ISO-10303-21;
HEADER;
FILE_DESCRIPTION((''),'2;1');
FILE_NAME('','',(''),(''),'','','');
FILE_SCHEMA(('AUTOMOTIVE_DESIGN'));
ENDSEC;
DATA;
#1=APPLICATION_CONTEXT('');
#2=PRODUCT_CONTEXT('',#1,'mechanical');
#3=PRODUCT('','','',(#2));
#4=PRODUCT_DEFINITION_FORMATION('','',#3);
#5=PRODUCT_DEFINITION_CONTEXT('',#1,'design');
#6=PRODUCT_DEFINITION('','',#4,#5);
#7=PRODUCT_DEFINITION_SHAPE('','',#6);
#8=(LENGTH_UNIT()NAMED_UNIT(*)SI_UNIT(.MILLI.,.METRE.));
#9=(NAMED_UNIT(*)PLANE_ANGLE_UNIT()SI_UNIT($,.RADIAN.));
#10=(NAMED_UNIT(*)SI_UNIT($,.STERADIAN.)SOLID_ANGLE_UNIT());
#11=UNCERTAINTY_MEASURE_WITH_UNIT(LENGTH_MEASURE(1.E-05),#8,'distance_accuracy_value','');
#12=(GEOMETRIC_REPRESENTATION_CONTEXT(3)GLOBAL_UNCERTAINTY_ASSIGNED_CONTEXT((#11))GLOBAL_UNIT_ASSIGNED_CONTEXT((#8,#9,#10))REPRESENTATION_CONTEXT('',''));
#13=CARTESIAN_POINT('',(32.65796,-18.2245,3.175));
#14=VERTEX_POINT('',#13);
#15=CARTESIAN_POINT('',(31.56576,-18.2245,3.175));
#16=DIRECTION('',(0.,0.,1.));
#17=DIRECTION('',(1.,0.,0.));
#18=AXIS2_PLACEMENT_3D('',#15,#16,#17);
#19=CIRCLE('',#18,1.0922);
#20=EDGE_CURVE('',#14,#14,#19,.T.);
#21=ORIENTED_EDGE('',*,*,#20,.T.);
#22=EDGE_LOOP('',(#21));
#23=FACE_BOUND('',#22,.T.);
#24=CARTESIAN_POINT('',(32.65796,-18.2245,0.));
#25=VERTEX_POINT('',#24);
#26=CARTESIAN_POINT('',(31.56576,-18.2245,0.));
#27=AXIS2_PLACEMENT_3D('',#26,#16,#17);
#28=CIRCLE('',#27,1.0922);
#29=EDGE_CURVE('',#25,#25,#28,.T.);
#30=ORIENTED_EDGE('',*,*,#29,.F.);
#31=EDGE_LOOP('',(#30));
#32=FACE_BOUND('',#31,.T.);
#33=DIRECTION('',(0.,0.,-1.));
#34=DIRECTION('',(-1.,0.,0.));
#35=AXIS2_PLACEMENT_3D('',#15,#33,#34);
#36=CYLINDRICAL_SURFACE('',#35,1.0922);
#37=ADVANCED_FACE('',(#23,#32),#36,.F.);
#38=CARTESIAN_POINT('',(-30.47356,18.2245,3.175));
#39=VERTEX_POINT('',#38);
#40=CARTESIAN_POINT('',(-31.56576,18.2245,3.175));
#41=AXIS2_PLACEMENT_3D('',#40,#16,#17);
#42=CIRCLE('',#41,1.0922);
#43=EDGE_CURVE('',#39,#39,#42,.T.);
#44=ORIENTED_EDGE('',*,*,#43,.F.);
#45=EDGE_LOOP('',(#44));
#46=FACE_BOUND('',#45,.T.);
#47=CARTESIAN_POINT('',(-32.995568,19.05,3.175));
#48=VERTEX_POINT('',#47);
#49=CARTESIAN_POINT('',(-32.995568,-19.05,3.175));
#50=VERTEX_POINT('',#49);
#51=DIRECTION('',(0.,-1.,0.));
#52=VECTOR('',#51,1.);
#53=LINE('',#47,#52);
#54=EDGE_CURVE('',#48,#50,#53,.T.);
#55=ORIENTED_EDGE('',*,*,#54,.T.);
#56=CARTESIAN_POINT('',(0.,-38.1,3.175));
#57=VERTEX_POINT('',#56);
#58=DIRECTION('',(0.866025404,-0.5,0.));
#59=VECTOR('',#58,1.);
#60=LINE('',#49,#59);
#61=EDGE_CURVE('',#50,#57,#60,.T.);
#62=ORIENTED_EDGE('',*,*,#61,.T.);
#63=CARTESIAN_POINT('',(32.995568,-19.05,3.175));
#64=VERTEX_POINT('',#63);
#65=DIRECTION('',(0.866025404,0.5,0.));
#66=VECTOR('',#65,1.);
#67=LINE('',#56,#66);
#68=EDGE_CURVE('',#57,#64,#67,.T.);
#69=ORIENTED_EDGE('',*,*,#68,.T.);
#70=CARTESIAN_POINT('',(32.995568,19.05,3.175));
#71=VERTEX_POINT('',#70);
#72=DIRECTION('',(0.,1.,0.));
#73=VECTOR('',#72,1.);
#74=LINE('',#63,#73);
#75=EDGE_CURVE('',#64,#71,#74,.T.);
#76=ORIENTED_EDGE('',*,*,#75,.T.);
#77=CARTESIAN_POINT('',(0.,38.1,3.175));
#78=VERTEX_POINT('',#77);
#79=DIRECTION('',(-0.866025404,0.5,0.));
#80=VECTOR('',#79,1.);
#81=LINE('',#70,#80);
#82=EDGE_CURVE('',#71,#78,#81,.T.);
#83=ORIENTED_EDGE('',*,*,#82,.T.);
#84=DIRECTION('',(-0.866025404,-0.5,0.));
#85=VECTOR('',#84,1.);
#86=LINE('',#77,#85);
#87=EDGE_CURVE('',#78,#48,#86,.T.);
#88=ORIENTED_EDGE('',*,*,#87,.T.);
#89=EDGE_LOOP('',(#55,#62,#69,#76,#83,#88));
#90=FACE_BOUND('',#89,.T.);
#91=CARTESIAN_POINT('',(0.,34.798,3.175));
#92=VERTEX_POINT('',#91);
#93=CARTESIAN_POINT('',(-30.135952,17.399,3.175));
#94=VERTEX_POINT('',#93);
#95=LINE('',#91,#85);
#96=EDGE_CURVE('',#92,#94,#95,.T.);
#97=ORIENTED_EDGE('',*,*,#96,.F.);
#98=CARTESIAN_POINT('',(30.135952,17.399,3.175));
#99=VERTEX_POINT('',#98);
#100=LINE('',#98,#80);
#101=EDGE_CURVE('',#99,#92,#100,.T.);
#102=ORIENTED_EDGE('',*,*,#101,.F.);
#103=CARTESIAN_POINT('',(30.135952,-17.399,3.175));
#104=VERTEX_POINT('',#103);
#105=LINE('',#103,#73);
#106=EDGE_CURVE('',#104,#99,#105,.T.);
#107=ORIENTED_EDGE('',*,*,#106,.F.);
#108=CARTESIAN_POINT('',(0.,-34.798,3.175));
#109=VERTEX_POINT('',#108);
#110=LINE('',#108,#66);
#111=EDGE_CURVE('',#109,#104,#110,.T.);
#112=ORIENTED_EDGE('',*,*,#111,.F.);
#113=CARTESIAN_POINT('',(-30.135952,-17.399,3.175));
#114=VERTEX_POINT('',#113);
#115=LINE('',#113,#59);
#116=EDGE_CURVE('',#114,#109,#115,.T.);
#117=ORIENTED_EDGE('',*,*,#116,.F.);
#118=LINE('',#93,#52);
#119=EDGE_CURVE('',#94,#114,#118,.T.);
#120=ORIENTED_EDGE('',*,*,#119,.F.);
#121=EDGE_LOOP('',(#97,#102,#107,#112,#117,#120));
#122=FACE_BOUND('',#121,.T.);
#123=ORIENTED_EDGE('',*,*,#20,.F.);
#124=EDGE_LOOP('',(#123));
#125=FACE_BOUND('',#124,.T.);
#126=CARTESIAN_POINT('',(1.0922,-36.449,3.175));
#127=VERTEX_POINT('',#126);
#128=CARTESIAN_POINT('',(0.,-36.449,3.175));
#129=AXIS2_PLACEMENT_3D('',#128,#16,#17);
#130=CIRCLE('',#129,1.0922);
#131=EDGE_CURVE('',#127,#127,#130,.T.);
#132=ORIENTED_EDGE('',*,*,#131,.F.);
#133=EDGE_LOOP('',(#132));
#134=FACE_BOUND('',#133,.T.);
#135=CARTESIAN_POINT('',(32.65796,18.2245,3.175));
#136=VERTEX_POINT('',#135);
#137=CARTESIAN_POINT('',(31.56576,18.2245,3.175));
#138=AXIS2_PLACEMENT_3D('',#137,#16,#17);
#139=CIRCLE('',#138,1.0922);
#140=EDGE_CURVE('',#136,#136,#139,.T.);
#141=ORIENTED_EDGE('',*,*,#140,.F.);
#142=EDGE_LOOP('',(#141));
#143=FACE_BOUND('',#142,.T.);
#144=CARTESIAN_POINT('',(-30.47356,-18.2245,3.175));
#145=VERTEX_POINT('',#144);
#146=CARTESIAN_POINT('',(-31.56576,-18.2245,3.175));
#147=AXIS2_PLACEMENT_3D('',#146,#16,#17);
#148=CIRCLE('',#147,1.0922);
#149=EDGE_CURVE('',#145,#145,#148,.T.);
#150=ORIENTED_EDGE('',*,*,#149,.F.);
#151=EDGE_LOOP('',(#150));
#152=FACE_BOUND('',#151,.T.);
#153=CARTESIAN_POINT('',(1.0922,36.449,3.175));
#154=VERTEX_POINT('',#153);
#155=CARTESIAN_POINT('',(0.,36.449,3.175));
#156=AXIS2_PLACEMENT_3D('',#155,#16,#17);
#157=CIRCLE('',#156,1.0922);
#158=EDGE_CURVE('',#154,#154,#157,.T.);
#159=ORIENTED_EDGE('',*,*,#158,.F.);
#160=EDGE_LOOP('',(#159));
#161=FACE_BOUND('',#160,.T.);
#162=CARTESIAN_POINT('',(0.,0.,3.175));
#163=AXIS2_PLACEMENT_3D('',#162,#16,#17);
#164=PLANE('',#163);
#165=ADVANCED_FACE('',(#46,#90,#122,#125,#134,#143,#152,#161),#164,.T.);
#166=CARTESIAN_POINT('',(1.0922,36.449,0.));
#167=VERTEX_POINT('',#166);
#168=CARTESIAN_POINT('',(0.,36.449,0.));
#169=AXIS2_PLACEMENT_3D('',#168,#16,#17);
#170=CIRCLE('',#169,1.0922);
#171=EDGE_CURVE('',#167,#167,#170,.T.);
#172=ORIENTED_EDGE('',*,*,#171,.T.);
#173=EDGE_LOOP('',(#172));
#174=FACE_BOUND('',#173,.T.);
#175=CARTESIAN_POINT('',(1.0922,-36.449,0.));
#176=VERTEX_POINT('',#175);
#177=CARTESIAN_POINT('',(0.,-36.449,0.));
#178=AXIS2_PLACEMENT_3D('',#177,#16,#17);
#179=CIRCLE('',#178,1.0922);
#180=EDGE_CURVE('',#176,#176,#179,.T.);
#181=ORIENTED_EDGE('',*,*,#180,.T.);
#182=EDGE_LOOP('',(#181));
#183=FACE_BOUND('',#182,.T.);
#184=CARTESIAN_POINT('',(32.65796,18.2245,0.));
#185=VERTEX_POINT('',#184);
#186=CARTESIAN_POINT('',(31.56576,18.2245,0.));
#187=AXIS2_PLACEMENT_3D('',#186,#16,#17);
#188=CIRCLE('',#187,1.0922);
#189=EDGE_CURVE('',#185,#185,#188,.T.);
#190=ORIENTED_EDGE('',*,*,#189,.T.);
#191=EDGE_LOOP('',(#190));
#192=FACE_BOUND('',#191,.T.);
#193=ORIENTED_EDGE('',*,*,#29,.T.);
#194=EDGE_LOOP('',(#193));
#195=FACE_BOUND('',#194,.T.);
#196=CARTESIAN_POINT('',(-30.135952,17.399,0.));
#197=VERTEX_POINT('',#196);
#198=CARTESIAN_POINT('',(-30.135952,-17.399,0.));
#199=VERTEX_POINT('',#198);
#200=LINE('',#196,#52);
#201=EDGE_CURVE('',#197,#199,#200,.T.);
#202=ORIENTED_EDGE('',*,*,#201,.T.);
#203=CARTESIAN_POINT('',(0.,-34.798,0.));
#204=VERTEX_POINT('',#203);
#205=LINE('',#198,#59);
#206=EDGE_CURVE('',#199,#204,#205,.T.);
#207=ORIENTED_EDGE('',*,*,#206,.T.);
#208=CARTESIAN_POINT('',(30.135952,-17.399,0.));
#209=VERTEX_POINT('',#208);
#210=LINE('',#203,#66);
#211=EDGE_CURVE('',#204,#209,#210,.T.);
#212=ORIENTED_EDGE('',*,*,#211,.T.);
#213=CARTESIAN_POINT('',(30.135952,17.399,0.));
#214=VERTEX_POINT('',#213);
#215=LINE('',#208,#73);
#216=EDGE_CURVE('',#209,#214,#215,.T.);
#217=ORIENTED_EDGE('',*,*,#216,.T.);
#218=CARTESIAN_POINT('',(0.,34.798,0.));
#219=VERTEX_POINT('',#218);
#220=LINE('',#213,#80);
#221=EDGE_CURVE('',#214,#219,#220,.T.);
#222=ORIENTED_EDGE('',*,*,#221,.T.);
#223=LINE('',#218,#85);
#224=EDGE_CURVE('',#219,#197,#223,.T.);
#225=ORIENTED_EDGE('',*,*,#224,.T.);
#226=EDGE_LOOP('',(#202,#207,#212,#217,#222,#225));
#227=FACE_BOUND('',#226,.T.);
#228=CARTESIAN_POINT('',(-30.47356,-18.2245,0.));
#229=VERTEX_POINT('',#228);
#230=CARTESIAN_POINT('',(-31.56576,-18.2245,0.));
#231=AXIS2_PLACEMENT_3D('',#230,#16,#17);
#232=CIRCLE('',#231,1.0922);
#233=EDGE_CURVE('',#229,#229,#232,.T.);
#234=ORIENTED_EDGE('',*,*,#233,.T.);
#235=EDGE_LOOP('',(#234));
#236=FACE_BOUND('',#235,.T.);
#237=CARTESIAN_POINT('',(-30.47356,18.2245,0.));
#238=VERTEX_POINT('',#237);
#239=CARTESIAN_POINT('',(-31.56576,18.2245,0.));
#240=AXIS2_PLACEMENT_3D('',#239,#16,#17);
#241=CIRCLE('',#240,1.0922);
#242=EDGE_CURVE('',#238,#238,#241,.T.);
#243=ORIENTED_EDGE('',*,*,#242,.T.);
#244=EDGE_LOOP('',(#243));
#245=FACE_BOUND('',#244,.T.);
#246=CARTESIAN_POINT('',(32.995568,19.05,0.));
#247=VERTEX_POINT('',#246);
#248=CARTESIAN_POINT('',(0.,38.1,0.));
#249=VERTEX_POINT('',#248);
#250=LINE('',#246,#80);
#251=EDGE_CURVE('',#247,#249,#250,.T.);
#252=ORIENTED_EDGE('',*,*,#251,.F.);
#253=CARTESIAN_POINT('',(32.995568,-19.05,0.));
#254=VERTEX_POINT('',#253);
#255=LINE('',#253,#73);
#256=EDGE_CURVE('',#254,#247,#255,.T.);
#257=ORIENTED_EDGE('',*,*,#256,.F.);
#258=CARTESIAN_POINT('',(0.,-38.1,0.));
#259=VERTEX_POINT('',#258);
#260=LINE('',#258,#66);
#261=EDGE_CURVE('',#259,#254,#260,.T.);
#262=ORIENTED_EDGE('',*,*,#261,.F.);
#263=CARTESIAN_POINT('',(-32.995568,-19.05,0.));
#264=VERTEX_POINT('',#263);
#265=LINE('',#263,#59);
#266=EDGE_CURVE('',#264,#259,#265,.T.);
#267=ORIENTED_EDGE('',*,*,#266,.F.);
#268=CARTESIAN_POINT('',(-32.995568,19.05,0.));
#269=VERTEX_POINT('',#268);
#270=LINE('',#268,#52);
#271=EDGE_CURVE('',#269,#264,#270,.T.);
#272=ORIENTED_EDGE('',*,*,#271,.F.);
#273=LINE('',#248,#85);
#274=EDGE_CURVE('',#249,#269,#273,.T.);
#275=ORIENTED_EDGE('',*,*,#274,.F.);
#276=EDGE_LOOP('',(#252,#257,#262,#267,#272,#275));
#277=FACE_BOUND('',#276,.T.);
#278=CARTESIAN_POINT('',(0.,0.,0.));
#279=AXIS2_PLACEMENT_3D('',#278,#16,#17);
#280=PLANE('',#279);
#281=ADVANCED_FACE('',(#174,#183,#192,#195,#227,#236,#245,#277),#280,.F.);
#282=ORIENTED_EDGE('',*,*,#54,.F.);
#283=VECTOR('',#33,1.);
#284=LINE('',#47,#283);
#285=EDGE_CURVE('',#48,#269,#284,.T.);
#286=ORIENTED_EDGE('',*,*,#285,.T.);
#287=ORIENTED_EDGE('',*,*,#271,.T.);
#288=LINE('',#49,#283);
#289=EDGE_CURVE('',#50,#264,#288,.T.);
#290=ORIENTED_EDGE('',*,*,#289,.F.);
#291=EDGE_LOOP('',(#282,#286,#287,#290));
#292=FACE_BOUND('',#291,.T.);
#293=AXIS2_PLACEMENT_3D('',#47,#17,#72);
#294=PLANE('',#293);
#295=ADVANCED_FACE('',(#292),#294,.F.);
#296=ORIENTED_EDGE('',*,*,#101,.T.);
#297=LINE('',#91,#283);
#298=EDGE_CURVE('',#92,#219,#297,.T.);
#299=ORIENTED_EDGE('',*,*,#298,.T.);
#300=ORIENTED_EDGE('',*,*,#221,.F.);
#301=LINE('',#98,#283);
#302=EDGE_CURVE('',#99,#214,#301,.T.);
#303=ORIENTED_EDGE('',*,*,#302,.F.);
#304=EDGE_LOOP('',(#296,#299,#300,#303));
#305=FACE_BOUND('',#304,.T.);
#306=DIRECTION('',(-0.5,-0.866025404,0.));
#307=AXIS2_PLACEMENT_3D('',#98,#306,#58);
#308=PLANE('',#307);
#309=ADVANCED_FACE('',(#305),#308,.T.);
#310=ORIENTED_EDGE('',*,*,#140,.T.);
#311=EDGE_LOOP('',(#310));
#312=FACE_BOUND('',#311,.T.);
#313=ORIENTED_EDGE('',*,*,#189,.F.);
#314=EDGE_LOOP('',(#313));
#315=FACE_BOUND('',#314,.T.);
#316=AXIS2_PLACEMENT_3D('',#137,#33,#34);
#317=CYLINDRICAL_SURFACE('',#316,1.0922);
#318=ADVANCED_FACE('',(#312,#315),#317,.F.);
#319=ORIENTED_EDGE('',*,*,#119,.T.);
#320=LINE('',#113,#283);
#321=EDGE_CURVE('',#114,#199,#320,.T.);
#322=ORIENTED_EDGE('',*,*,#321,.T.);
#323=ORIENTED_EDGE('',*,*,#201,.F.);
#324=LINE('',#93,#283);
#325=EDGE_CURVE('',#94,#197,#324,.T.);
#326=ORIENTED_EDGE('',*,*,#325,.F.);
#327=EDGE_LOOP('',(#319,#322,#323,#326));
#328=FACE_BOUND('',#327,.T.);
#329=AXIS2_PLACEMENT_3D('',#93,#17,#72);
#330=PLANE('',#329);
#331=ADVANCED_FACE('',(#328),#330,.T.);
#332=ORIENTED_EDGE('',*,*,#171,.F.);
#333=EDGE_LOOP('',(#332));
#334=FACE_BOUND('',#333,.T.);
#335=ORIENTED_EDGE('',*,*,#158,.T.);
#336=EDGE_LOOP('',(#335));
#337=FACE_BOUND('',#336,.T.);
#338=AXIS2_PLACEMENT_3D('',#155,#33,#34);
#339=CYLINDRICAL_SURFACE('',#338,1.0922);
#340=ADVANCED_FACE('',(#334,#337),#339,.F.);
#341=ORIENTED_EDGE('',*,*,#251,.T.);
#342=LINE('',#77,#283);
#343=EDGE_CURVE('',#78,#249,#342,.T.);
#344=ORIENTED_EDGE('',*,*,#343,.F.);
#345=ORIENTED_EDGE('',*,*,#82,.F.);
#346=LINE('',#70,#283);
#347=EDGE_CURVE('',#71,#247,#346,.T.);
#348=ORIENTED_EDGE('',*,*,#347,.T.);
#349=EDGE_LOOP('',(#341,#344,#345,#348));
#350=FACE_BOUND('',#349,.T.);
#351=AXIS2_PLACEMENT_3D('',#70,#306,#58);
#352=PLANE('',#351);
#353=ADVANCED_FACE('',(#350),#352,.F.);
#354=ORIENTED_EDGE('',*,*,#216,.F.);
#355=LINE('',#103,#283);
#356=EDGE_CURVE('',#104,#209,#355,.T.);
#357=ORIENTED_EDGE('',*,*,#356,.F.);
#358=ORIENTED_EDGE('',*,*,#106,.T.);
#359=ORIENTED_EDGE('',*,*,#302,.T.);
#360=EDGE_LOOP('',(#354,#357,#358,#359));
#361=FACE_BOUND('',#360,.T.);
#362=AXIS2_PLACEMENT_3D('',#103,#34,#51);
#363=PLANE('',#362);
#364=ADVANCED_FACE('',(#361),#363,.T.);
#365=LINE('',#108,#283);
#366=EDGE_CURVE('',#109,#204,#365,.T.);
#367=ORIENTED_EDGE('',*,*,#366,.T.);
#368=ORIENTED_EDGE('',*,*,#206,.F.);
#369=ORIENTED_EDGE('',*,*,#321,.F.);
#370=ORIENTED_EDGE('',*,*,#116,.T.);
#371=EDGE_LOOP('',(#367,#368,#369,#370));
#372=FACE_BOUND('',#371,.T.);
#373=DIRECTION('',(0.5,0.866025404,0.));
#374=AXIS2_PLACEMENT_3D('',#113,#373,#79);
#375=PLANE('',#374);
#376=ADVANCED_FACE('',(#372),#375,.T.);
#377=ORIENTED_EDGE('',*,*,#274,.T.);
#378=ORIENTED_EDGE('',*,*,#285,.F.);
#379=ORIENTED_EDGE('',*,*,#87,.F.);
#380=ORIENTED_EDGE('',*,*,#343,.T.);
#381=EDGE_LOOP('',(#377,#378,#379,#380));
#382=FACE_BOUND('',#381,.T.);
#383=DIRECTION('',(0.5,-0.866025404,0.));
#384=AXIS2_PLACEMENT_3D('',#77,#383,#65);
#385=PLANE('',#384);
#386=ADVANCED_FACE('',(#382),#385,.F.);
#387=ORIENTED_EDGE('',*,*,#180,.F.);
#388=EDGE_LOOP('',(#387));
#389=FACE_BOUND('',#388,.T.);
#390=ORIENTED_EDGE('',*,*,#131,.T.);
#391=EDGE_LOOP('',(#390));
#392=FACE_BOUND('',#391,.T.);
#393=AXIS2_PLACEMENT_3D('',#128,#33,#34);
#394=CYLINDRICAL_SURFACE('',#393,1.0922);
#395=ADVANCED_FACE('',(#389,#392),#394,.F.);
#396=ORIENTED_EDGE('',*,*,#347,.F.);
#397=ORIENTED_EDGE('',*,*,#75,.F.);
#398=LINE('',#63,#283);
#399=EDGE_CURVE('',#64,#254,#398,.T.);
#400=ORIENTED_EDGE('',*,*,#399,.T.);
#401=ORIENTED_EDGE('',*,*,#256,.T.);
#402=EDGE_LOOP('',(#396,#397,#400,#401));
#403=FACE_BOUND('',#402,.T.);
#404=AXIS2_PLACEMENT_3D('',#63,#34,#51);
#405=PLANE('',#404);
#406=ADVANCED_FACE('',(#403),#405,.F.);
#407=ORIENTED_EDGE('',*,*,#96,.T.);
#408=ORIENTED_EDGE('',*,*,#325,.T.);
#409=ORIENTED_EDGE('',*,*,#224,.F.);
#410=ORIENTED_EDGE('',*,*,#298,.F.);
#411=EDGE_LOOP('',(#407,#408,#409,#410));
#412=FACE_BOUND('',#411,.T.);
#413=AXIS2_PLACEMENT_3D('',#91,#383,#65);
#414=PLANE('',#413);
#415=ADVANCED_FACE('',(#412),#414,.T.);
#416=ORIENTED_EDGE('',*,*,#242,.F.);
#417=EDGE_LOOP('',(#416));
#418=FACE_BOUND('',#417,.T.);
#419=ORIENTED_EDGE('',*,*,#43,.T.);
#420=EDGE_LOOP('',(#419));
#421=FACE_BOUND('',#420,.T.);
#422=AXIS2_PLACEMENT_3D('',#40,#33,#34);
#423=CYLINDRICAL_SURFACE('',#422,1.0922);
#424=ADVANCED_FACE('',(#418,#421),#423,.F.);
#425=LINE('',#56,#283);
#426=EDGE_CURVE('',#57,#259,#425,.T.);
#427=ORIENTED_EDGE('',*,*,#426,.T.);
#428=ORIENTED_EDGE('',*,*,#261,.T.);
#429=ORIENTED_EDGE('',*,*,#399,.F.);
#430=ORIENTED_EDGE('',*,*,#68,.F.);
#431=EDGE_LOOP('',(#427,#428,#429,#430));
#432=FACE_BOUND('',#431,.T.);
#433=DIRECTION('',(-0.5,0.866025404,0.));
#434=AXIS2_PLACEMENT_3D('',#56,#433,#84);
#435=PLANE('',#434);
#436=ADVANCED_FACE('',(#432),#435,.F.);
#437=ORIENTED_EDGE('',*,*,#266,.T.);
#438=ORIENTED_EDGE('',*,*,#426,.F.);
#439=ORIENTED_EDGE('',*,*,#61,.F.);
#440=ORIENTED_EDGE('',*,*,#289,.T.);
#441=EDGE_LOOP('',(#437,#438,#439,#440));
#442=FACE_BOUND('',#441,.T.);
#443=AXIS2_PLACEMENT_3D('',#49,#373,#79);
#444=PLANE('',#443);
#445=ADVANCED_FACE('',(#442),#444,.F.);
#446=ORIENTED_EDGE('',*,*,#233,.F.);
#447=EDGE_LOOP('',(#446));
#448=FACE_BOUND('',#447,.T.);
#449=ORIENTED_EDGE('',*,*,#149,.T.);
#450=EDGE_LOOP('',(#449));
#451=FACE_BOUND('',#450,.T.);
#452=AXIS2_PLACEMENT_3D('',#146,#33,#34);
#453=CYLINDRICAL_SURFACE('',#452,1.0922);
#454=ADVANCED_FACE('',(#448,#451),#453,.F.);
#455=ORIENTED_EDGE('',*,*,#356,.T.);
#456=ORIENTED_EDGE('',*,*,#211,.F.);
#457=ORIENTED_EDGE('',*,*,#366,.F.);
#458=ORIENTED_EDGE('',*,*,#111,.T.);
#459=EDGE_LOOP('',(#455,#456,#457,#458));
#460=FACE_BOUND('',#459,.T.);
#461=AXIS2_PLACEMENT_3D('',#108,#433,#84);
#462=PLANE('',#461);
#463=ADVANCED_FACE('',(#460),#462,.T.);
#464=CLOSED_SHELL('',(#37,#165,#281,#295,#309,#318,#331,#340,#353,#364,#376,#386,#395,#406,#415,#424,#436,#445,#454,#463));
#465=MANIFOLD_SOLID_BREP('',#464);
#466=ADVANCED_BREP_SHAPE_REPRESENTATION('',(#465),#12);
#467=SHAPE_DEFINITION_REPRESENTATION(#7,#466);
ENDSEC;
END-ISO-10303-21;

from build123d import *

# Parameters (mm, degrees)
SKETCH1_R           = 1.0922
BOSS_EXTRUDE1_DEPTH = 3.175


with BuildPart() as part:
    # Sketch1 → Boss-Extrude1 (new body)
    with BuildSketch(Plane.XY):
        Polygon((32.995567884, 19.05), (0, 38.1), (-32.995567884, 19.05), (-32.995567884, -19.05), (0, -38.1), (32.995567884, -19.05), align=None)
        with Locations((-31.565759943, 18.2245)):
            Circle(SKETCH1_R, mode=Mode.SUBTRACT)
        with Locations((0, 36.449)):
            Circle(SKETCH1_R, mode=Mode.SUBTRACT)
        with Locations((31.565759943, 18.2245)):
            Circle(SKETCH1_R, mode=Mode.SUBTRACT)
        with Locations((31.565759943, -18.2245)):
            Circle(SKETCH1_R, mode=Mode.SUBTRACT)
        with Locations((0, -36.449)):
            Circle(SKETCH1_R, mode=Mode.SUBTRACT)
        with Locations((-31.565759943, -18.2245)):
            Circle(SKETCH1_R, mode=Mode.SUBTRACT)
        Polygon((30.135952001, 17.399), (0, 34.798), (-30.135952001, 17.399), (-30.135952001, -17.399), (0, -34.798), (30.135952001, -17.399), align=None, mode=Mode.SUBTRACT)
    extrude(amount=BOSS_EXTRUDE1_DEPTH)


solid = part.part
